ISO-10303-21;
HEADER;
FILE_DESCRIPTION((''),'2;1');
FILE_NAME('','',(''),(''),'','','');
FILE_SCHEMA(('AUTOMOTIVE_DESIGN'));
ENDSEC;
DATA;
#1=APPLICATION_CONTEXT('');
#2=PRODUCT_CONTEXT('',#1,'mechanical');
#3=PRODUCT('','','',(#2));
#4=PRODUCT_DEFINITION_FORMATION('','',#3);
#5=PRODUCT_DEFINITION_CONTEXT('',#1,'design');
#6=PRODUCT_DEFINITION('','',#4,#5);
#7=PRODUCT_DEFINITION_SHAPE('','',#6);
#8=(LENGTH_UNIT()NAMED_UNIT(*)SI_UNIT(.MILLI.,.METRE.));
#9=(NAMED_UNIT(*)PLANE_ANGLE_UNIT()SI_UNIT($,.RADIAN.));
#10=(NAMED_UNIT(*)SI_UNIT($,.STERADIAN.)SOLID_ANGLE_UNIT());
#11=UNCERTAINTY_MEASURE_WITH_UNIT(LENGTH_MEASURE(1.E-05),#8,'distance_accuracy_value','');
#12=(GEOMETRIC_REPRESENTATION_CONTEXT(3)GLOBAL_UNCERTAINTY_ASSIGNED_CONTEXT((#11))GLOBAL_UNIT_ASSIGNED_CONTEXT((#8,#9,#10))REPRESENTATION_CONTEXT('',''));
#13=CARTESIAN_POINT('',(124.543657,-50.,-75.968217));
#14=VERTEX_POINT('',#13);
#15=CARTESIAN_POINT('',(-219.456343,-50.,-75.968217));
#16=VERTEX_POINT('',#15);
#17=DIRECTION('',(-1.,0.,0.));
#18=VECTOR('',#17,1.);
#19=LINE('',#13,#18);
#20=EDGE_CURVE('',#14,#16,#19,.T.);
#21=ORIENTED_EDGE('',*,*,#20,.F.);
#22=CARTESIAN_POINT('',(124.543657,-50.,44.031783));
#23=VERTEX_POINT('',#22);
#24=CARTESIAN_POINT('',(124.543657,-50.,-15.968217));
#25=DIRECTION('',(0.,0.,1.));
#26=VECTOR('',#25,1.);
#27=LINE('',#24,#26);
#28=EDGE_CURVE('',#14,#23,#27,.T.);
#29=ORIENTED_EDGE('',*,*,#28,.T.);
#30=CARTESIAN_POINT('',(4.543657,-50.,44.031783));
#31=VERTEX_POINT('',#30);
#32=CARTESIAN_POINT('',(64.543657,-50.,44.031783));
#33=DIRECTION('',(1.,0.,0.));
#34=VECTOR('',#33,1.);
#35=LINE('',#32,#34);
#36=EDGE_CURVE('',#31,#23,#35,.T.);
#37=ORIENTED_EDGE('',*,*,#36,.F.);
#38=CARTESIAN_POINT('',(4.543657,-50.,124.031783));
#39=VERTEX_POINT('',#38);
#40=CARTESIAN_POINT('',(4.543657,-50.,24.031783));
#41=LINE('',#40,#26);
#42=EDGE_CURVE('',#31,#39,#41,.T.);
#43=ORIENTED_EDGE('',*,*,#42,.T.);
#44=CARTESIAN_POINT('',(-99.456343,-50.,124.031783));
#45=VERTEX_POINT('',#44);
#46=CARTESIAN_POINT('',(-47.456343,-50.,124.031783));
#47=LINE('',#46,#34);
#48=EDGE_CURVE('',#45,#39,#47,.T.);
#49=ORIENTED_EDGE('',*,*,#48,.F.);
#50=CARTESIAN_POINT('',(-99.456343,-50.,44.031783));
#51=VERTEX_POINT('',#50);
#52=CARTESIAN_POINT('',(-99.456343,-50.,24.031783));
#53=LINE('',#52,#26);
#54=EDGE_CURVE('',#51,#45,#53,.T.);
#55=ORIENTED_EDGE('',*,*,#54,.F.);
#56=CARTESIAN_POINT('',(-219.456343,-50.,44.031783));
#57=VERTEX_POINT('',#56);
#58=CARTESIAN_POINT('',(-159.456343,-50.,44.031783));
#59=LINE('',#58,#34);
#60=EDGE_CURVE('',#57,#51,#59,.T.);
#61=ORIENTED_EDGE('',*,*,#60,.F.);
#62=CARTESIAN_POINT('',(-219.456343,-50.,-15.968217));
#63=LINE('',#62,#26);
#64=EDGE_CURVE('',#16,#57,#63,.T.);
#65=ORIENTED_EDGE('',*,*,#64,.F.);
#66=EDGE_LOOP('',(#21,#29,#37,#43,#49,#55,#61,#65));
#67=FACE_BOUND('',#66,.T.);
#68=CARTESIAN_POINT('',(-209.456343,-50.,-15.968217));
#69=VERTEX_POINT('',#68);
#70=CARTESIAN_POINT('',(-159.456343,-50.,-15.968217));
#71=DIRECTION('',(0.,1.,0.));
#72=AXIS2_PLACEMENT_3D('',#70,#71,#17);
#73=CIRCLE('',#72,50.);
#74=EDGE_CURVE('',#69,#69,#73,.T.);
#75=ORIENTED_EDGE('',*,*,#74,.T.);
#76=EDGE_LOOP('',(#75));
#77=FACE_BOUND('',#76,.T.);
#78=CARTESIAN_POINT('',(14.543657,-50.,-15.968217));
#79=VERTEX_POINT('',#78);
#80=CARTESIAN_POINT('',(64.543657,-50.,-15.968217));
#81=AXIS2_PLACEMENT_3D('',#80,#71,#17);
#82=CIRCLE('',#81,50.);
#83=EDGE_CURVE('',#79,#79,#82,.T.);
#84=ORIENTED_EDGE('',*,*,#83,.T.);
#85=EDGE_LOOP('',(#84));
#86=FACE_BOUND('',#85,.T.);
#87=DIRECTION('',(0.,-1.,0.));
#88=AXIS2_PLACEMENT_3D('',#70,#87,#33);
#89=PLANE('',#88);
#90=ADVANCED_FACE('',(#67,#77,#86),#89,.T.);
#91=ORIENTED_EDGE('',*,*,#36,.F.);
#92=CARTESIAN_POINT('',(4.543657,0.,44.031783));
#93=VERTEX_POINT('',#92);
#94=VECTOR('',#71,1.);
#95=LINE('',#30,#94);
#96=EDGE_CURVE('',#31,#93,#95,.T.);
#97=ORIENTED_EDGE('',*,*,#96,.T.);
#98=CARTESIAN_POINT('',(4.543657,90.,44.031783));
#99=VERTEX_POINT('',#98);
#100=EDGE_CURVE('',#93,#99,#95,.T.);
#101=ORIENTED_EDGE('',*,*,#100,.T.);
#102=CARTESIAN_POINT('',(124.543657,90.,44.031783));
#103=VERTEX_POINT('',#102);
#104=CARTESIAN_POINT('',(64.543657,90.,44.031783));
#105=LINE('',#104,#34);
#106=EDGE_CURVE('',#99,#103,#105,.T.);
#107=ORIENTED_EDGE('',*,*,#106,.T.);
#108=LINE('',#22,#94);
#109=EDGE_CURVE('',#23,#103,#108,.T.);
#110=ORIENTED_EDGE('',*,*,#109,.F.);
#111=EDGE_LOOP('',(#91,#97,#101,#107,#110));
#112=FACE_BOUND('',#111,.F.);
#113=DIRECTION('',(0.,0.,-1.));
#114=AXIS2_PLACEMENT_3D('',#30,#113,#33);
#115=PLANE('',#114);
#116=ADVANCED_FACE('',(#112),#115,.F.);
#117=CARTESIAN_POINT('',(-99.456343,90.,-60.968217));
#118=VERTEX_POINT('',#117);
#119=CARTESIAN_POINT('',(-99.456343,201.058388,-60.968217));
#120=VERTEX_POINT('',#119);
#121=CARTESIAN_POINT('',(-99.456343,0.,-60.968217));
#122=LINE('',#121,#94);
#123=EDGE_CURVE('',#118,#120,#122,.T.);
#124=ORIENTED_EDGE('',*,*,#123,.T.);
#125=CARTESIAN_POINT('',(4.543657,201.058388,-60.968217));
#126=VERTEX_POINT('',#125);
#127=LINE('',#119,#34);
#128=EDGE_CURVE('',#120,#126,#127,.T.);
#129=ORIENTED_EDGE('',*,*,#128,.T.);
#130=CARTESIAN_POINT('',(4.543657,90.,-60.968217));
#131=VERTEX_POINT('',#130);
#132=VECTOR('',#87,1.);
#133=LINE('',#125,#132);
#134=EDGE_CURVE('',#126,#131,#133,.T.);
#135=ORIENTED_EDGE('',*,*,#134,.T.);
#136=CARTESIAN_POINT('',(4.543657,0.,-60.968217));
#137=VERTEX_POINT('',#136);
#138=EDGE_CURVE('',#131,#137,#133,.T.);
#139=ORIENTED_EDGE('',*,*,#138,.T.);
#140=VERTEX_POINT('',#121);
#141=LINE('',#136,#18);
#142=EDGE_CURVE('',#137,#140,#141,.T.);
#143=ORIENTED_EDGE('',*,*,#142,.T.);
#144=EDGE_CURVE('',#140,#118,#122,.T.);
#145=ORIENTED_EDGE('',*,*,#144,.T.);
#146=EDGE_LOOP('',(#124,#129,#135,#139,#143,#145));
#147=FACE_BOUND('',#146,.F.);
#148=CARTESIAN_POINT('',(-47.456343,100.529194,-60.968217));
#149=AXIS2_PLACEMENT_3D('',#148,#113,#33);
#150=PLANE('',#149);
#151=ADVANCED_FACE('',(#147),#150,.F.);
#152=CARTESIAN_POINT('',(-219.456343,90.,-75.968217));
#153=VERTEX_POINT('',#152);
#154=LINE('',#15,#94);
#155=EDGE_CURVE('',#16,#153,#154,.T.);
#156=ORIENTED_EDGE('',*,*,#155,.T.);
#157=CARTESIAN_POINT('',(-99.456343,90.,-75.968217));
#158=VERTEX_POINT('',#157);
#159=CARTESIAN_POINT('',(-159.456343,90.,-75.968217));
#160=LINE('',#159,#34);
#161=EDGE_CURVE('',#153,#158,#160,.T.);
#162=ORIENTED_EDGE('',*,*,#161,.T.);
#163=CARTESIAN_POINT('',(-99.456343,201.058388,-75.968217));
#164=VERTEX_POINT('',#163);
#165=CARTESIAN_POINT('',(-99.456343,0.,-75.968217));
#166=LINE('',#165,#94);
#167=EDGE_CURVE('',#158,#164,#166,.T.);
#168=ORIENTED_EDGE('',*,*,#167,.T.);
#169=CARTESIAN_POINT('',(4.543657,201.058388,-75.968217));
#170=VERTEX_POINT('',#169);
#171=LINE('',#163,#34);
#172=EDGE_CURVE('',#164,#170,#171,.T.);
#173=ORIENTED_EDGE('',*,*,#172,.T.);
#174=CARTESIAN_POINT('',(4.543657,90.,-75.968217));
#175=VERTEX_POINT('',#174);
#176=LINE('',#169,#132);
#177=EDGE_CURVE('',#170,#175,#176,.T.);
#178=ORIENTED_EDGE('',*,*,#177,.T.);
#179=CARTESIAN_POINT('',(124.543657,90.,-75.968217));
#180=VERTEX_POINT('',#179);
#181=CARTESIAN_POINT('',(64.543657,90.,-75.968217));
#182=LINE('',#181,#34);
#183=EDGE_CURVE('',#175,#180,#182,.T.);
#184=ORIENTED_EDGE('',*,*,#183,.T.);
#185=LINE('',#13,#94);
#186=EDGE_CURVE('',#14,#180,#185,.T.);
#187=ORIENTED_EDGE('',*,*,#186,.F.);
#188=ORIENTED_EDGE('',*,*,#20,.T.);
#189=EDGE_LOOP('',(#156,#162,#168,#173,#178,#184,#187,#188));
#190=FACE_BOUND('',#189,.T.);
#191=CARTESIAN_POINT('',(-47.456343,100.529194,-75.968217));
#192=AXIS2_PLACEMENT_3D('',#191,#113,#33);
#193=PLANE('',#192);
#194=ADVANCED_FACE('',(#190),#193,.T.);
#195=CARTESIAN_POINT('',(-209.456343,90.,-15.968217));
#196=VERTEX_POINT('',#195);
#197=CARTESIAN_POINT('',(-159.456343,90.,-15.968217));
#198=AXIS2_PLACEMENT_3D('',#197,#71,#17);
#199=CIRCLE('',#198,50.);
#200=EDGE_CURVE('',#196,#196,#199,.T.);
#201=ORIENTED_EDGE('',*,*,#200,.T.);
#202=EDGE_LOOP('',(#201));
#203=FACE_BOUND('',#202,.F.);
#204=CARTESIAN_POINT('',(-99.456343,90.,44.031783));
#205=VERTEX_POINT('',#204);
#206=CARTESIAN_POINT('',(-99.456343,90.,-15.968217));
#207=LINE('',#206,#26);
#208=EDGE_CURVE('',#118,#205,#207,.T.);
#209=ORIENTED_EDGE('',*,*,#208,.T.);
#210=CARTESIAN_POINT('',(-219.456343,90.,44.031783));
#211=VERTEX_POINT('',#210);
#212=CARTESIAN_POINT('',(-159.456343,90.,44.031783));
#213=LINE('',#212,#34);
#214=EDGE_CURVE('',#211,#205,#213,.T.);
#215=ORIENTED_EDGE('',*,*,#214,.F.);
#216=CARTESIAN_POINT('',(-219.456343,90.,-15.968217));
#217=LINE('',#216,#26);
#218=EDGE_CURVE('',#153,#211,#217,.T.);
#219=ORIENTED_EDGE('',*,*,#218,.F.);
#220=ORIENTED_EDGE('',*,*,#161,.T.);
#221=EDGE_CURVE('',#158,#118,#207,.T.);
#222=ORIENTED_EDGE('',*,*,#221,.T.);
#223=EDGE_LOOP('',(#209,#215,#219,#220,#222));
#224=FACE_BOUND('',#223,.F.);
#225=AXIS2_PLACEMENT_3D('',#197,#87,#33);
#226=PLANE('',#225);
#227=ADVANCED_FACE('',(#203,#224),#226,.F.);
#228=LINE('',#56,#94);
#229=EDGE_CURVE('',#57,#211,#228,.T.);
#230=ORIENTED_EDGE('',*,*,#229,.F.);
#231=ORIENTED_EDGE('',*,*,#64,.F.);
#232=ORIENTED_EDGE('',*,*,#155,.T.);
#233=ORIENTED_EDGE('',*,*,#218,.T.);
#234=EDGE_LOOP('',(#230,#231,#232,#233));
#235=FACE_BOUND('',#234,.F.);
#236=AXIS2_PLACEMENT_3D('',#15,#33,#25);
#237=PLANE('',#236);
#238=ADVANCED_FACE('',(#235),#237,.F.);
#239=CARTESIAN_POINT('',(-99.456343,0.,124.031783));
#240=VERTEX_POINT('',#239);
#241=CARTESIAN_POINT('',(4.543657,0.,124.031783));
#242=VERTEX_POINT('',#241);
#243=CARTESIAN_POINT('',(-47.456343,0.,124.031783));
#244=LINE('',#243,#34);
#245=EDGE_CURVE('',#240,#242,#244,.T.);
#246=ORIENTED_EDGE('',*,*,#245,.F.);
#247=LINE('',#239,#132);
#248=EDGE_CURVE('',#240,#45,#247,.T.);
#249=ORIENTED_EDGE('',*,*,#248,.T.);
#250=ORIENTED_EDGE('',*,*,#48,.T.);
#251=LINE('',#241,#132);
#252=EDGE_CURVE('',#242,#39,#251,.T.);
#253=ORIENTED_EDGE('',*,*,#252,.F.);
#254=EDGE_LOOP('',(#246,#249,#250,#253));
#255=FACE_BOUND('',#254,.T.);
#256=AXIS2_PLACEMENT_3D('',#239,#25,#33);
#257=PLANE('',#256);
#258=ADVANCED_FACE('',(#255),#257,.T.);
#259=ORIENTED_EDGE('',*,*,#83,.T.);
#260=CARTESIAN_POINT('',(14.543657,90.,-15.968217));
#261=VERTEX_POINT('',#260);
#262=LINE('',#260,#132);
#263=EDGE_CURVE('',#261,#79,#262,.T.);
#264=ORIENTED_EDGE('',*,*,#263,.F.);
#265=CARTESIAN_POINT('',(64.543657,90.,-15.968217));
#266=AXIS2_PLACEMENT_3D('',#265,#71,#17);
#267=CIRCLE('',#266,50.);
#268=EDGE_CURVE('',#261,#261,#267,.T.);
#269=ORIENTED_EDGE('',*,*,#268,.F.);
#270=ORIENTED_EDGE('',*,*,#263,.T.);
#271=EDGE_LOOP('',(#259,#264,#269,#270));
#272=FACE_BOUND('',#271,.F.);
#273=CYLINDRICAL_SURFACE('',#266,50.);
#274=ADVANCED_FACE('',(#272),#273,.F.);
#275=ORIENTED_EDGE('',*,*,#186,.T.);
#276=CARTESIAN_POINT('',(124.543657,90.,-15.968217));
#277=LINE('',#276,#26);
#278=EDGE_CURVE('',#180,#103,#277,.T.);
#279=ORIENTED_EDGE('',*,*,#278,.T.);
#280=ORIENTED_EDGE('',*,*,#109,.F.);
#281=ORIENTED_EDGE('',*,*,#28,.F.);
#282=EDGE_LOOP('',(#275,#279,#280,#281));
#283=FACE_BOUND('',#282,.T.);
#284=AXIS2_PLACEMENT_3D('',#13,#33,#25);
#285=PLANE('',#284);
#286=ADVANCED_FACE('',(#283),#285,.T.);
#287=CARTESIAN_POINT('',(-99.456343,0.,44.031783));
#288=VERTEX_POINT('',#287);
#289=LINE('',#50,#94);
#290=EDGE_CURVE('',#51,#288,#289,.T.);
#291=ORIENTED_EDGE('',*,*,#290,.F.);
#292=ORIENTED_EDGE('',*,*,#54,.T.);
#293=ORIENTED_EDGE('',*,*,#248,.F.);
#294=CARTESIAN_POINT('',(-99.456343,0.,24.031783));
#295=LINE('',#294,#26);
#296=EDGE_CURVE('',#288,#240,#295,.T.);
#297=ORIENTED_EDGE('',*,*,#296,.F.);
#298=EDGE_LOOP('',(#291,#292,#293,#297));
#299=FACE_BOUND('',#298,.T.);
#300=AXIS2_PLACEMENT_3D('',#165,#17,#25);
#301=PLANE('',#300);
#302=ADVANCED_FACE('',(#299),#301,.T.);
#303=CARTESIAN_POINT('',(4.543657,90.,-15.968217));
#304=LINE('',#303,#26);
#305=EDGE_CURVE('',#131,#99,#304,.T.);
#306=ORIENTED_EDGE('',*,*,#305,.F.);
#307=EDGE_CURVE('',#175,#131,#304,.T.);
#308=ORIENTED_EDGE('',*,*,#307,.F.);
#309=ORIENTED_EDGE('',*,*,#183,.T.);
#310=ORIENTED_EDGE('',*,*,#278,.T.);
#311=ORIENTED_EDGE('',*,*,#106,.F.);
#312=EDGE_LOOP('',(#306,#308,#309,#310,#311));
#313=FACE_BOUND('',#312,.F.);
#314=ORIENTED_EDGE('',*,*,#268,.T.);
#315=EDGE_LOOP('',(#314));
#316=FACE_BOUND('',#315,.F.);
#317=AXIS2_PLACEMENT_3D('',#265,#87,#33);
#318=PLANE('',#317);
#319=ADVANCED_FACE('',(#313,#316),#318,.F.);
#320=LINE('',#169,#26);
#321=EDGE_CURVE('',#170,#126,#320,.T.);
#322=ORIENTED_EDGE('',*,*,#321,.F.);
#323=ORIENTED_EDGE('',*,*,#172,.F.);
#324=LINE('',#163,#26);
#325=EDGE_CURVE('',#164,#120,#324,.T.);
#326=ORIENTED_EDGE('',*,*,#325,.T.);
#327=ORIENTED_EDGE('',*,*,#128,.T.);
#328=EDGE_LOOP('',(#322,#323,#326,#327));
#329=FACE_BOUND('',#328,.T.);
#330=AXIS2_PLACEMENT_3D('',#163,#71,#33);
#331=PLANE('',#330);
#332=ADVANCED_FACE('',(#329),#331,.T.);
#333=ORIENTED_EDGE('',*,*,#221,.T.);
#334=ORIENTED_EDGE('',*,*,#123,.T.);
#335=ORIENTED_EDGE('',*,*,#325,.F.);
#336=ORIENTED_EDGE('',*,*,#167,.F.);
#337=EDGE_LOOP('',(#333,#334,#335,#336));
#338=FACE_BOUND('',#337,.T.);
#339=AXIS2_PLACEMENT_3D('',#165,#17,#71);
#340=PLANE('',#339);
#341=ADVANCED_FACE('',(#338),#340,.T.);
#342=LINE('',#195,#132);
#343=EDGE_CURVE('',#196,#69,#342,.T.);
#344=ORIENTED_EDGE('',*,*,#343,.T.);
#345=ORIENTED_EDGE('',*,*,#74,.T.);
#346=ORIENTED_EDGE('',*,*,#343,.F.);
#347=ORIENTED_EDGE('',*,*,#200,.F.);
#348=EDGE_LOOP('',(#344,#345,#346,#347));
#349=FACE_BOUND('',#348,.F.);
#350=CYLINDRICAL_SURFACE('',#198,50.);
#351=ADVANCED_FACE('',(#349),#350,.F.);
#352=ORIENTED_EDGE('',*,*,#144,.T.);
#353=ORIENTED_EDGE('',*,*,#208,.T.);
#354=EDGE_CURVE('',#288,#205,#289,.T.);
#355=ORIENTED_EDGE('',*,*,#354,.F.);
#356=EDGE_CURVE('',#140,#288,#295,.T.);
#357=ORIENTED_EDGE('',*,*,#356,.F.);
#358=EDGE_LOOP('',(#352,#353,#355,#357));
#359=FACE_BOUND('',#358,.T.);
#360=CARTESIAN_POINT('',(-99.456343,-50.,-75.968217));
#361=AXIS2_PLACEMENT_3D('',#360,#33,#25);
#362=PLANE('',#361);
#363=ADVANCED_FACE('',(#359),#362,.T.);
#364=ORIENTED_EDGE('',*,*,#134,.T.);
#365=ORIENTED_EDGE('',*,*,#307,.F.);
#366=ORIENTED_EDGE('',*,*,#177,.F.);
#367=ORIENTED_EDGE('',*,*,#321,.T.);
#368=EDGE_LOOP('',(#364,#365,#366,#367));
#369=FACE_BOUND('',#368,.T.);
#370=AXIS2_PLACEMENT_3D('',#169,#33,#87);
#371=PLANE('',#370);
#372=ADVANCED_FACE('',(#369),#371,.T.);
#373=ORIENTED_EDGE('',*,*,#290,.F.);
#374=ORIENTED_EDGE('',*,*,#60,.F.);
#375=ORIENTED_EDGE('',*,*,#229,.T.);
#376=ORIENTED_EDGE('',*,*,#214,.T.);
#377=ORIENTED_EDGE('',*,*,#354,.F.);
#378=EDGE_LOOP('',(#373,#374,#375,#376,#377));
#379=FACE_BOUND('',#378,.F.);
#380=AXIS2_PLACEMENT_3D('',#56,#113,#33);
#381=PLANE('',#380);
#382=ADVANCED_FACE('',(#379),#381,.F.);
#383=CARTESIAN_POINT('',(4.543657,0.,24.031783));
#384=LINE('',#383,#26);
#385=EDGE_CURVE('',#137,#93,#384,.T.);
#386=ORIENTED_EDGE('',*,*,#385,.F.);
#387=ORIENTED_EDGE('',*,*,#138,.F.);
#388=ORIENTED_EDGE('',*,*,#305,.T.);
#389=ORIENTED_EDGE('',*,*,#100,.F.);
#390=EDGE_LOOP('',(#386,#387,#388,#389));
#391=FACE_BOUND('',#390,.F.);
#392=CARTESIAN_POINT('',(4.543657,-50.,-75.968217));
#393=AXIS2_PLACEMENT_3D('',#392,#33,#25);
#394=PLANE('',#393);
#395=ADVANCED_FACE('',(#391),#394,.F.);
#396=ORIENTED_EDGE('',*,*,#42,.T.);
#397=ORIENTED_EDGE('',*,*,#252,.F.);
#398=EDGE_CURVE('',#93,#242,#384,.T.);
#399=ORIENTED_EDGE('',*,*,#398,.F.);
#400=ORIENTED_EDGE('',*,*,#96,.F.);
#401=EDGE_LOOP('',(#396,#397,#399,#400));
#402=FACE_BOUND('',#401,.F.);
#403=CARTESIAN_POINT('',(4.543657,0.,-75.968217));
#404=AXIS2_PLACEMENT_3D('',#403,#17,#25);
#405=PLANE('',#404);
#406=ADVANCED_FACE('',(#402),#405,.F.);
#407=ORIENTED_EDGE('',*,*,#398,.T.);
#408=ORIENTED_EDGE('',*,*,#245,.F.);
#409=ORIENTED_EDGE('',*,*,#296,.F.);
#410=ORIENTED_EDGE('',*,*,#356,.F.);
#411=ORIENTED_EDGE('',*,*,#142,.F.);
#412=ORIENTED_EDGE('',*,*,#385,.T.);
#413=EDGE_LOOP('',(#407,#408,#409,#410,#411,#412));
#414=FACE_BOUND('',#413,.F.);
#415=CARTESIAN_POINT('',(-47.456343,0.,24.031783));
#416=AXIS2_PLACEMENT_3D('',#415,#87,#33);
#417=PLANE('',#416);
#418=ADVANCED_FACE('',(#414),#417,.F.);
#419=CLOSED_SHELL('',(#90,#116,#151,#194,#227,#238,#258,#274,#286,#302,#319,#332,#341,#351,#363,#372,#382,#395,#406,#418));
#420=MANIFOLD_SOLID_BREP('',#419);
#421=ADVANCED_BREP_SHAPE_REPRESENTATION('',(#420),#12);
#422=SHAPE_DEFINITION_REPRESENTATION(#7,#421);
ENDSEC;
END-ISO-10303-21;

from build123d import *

# Parameters (mm, degrees)
F0_W     = 104
F0_H     = 200
F1_DEPTH = 50
F2_W     = 120
F2_H     = 120
F3_DEPTH = 140
F4_R     = 50
F5_DEPTH = 140.001
F7_DEPTH = 15


with BuildPart() as f1:
    # F0 (on Front) → F1 (new body)
    with BuildSketch(Plane.XZ):
        with Locations((-47.456343, 24.031783)):
            Rectangle(F0_W, F0_H)
    extrude(amount=F1_DEPTH)

    # F2 (on face) → F3 (join)
    with BuildSketch(Plane.XZ.offset(50)):
        with Locations((-159.456343, -15.968217)):
            Rectangle(F2_W, F2_H)
        with Locations((64.543657, -15.968217)):
            Rectangle(F2_W, F2_H)
    extrude(amount=-F3_DEPTH)

    # F4 (on face) → F5 (cut, through all)
    with BuildSketch(Plane(origin=(0, 90, 0), x_dir=(-1, 0, 0), z_dir=(0, 1, 0))):
        with Locations((-64.543657, -15.968217)):
            Circle(F4_R)
        with Locations((159.456343, -15.968217)):
            Circle(F4_R)
    extrude(amount=-F5_DEPTH, mode=Mode.SUBTRACT)

    # F6 (on face) → F7 (join)
    with BuildSketch(Plane(origin=(0, 0, -75.968217), x_dir=(1, 0, 0), z_dir=(0, 0, -1))):
        Polygon((0, 0), (-99.456343, 0), (-99.456343, -90), (-99.456343, -201.058388), (4.543657, -201.058388), (4.543657, -90), (4.543657, 0), align=None)
    extrude(amount=-F7_DEPTH)


solid = f1.part
